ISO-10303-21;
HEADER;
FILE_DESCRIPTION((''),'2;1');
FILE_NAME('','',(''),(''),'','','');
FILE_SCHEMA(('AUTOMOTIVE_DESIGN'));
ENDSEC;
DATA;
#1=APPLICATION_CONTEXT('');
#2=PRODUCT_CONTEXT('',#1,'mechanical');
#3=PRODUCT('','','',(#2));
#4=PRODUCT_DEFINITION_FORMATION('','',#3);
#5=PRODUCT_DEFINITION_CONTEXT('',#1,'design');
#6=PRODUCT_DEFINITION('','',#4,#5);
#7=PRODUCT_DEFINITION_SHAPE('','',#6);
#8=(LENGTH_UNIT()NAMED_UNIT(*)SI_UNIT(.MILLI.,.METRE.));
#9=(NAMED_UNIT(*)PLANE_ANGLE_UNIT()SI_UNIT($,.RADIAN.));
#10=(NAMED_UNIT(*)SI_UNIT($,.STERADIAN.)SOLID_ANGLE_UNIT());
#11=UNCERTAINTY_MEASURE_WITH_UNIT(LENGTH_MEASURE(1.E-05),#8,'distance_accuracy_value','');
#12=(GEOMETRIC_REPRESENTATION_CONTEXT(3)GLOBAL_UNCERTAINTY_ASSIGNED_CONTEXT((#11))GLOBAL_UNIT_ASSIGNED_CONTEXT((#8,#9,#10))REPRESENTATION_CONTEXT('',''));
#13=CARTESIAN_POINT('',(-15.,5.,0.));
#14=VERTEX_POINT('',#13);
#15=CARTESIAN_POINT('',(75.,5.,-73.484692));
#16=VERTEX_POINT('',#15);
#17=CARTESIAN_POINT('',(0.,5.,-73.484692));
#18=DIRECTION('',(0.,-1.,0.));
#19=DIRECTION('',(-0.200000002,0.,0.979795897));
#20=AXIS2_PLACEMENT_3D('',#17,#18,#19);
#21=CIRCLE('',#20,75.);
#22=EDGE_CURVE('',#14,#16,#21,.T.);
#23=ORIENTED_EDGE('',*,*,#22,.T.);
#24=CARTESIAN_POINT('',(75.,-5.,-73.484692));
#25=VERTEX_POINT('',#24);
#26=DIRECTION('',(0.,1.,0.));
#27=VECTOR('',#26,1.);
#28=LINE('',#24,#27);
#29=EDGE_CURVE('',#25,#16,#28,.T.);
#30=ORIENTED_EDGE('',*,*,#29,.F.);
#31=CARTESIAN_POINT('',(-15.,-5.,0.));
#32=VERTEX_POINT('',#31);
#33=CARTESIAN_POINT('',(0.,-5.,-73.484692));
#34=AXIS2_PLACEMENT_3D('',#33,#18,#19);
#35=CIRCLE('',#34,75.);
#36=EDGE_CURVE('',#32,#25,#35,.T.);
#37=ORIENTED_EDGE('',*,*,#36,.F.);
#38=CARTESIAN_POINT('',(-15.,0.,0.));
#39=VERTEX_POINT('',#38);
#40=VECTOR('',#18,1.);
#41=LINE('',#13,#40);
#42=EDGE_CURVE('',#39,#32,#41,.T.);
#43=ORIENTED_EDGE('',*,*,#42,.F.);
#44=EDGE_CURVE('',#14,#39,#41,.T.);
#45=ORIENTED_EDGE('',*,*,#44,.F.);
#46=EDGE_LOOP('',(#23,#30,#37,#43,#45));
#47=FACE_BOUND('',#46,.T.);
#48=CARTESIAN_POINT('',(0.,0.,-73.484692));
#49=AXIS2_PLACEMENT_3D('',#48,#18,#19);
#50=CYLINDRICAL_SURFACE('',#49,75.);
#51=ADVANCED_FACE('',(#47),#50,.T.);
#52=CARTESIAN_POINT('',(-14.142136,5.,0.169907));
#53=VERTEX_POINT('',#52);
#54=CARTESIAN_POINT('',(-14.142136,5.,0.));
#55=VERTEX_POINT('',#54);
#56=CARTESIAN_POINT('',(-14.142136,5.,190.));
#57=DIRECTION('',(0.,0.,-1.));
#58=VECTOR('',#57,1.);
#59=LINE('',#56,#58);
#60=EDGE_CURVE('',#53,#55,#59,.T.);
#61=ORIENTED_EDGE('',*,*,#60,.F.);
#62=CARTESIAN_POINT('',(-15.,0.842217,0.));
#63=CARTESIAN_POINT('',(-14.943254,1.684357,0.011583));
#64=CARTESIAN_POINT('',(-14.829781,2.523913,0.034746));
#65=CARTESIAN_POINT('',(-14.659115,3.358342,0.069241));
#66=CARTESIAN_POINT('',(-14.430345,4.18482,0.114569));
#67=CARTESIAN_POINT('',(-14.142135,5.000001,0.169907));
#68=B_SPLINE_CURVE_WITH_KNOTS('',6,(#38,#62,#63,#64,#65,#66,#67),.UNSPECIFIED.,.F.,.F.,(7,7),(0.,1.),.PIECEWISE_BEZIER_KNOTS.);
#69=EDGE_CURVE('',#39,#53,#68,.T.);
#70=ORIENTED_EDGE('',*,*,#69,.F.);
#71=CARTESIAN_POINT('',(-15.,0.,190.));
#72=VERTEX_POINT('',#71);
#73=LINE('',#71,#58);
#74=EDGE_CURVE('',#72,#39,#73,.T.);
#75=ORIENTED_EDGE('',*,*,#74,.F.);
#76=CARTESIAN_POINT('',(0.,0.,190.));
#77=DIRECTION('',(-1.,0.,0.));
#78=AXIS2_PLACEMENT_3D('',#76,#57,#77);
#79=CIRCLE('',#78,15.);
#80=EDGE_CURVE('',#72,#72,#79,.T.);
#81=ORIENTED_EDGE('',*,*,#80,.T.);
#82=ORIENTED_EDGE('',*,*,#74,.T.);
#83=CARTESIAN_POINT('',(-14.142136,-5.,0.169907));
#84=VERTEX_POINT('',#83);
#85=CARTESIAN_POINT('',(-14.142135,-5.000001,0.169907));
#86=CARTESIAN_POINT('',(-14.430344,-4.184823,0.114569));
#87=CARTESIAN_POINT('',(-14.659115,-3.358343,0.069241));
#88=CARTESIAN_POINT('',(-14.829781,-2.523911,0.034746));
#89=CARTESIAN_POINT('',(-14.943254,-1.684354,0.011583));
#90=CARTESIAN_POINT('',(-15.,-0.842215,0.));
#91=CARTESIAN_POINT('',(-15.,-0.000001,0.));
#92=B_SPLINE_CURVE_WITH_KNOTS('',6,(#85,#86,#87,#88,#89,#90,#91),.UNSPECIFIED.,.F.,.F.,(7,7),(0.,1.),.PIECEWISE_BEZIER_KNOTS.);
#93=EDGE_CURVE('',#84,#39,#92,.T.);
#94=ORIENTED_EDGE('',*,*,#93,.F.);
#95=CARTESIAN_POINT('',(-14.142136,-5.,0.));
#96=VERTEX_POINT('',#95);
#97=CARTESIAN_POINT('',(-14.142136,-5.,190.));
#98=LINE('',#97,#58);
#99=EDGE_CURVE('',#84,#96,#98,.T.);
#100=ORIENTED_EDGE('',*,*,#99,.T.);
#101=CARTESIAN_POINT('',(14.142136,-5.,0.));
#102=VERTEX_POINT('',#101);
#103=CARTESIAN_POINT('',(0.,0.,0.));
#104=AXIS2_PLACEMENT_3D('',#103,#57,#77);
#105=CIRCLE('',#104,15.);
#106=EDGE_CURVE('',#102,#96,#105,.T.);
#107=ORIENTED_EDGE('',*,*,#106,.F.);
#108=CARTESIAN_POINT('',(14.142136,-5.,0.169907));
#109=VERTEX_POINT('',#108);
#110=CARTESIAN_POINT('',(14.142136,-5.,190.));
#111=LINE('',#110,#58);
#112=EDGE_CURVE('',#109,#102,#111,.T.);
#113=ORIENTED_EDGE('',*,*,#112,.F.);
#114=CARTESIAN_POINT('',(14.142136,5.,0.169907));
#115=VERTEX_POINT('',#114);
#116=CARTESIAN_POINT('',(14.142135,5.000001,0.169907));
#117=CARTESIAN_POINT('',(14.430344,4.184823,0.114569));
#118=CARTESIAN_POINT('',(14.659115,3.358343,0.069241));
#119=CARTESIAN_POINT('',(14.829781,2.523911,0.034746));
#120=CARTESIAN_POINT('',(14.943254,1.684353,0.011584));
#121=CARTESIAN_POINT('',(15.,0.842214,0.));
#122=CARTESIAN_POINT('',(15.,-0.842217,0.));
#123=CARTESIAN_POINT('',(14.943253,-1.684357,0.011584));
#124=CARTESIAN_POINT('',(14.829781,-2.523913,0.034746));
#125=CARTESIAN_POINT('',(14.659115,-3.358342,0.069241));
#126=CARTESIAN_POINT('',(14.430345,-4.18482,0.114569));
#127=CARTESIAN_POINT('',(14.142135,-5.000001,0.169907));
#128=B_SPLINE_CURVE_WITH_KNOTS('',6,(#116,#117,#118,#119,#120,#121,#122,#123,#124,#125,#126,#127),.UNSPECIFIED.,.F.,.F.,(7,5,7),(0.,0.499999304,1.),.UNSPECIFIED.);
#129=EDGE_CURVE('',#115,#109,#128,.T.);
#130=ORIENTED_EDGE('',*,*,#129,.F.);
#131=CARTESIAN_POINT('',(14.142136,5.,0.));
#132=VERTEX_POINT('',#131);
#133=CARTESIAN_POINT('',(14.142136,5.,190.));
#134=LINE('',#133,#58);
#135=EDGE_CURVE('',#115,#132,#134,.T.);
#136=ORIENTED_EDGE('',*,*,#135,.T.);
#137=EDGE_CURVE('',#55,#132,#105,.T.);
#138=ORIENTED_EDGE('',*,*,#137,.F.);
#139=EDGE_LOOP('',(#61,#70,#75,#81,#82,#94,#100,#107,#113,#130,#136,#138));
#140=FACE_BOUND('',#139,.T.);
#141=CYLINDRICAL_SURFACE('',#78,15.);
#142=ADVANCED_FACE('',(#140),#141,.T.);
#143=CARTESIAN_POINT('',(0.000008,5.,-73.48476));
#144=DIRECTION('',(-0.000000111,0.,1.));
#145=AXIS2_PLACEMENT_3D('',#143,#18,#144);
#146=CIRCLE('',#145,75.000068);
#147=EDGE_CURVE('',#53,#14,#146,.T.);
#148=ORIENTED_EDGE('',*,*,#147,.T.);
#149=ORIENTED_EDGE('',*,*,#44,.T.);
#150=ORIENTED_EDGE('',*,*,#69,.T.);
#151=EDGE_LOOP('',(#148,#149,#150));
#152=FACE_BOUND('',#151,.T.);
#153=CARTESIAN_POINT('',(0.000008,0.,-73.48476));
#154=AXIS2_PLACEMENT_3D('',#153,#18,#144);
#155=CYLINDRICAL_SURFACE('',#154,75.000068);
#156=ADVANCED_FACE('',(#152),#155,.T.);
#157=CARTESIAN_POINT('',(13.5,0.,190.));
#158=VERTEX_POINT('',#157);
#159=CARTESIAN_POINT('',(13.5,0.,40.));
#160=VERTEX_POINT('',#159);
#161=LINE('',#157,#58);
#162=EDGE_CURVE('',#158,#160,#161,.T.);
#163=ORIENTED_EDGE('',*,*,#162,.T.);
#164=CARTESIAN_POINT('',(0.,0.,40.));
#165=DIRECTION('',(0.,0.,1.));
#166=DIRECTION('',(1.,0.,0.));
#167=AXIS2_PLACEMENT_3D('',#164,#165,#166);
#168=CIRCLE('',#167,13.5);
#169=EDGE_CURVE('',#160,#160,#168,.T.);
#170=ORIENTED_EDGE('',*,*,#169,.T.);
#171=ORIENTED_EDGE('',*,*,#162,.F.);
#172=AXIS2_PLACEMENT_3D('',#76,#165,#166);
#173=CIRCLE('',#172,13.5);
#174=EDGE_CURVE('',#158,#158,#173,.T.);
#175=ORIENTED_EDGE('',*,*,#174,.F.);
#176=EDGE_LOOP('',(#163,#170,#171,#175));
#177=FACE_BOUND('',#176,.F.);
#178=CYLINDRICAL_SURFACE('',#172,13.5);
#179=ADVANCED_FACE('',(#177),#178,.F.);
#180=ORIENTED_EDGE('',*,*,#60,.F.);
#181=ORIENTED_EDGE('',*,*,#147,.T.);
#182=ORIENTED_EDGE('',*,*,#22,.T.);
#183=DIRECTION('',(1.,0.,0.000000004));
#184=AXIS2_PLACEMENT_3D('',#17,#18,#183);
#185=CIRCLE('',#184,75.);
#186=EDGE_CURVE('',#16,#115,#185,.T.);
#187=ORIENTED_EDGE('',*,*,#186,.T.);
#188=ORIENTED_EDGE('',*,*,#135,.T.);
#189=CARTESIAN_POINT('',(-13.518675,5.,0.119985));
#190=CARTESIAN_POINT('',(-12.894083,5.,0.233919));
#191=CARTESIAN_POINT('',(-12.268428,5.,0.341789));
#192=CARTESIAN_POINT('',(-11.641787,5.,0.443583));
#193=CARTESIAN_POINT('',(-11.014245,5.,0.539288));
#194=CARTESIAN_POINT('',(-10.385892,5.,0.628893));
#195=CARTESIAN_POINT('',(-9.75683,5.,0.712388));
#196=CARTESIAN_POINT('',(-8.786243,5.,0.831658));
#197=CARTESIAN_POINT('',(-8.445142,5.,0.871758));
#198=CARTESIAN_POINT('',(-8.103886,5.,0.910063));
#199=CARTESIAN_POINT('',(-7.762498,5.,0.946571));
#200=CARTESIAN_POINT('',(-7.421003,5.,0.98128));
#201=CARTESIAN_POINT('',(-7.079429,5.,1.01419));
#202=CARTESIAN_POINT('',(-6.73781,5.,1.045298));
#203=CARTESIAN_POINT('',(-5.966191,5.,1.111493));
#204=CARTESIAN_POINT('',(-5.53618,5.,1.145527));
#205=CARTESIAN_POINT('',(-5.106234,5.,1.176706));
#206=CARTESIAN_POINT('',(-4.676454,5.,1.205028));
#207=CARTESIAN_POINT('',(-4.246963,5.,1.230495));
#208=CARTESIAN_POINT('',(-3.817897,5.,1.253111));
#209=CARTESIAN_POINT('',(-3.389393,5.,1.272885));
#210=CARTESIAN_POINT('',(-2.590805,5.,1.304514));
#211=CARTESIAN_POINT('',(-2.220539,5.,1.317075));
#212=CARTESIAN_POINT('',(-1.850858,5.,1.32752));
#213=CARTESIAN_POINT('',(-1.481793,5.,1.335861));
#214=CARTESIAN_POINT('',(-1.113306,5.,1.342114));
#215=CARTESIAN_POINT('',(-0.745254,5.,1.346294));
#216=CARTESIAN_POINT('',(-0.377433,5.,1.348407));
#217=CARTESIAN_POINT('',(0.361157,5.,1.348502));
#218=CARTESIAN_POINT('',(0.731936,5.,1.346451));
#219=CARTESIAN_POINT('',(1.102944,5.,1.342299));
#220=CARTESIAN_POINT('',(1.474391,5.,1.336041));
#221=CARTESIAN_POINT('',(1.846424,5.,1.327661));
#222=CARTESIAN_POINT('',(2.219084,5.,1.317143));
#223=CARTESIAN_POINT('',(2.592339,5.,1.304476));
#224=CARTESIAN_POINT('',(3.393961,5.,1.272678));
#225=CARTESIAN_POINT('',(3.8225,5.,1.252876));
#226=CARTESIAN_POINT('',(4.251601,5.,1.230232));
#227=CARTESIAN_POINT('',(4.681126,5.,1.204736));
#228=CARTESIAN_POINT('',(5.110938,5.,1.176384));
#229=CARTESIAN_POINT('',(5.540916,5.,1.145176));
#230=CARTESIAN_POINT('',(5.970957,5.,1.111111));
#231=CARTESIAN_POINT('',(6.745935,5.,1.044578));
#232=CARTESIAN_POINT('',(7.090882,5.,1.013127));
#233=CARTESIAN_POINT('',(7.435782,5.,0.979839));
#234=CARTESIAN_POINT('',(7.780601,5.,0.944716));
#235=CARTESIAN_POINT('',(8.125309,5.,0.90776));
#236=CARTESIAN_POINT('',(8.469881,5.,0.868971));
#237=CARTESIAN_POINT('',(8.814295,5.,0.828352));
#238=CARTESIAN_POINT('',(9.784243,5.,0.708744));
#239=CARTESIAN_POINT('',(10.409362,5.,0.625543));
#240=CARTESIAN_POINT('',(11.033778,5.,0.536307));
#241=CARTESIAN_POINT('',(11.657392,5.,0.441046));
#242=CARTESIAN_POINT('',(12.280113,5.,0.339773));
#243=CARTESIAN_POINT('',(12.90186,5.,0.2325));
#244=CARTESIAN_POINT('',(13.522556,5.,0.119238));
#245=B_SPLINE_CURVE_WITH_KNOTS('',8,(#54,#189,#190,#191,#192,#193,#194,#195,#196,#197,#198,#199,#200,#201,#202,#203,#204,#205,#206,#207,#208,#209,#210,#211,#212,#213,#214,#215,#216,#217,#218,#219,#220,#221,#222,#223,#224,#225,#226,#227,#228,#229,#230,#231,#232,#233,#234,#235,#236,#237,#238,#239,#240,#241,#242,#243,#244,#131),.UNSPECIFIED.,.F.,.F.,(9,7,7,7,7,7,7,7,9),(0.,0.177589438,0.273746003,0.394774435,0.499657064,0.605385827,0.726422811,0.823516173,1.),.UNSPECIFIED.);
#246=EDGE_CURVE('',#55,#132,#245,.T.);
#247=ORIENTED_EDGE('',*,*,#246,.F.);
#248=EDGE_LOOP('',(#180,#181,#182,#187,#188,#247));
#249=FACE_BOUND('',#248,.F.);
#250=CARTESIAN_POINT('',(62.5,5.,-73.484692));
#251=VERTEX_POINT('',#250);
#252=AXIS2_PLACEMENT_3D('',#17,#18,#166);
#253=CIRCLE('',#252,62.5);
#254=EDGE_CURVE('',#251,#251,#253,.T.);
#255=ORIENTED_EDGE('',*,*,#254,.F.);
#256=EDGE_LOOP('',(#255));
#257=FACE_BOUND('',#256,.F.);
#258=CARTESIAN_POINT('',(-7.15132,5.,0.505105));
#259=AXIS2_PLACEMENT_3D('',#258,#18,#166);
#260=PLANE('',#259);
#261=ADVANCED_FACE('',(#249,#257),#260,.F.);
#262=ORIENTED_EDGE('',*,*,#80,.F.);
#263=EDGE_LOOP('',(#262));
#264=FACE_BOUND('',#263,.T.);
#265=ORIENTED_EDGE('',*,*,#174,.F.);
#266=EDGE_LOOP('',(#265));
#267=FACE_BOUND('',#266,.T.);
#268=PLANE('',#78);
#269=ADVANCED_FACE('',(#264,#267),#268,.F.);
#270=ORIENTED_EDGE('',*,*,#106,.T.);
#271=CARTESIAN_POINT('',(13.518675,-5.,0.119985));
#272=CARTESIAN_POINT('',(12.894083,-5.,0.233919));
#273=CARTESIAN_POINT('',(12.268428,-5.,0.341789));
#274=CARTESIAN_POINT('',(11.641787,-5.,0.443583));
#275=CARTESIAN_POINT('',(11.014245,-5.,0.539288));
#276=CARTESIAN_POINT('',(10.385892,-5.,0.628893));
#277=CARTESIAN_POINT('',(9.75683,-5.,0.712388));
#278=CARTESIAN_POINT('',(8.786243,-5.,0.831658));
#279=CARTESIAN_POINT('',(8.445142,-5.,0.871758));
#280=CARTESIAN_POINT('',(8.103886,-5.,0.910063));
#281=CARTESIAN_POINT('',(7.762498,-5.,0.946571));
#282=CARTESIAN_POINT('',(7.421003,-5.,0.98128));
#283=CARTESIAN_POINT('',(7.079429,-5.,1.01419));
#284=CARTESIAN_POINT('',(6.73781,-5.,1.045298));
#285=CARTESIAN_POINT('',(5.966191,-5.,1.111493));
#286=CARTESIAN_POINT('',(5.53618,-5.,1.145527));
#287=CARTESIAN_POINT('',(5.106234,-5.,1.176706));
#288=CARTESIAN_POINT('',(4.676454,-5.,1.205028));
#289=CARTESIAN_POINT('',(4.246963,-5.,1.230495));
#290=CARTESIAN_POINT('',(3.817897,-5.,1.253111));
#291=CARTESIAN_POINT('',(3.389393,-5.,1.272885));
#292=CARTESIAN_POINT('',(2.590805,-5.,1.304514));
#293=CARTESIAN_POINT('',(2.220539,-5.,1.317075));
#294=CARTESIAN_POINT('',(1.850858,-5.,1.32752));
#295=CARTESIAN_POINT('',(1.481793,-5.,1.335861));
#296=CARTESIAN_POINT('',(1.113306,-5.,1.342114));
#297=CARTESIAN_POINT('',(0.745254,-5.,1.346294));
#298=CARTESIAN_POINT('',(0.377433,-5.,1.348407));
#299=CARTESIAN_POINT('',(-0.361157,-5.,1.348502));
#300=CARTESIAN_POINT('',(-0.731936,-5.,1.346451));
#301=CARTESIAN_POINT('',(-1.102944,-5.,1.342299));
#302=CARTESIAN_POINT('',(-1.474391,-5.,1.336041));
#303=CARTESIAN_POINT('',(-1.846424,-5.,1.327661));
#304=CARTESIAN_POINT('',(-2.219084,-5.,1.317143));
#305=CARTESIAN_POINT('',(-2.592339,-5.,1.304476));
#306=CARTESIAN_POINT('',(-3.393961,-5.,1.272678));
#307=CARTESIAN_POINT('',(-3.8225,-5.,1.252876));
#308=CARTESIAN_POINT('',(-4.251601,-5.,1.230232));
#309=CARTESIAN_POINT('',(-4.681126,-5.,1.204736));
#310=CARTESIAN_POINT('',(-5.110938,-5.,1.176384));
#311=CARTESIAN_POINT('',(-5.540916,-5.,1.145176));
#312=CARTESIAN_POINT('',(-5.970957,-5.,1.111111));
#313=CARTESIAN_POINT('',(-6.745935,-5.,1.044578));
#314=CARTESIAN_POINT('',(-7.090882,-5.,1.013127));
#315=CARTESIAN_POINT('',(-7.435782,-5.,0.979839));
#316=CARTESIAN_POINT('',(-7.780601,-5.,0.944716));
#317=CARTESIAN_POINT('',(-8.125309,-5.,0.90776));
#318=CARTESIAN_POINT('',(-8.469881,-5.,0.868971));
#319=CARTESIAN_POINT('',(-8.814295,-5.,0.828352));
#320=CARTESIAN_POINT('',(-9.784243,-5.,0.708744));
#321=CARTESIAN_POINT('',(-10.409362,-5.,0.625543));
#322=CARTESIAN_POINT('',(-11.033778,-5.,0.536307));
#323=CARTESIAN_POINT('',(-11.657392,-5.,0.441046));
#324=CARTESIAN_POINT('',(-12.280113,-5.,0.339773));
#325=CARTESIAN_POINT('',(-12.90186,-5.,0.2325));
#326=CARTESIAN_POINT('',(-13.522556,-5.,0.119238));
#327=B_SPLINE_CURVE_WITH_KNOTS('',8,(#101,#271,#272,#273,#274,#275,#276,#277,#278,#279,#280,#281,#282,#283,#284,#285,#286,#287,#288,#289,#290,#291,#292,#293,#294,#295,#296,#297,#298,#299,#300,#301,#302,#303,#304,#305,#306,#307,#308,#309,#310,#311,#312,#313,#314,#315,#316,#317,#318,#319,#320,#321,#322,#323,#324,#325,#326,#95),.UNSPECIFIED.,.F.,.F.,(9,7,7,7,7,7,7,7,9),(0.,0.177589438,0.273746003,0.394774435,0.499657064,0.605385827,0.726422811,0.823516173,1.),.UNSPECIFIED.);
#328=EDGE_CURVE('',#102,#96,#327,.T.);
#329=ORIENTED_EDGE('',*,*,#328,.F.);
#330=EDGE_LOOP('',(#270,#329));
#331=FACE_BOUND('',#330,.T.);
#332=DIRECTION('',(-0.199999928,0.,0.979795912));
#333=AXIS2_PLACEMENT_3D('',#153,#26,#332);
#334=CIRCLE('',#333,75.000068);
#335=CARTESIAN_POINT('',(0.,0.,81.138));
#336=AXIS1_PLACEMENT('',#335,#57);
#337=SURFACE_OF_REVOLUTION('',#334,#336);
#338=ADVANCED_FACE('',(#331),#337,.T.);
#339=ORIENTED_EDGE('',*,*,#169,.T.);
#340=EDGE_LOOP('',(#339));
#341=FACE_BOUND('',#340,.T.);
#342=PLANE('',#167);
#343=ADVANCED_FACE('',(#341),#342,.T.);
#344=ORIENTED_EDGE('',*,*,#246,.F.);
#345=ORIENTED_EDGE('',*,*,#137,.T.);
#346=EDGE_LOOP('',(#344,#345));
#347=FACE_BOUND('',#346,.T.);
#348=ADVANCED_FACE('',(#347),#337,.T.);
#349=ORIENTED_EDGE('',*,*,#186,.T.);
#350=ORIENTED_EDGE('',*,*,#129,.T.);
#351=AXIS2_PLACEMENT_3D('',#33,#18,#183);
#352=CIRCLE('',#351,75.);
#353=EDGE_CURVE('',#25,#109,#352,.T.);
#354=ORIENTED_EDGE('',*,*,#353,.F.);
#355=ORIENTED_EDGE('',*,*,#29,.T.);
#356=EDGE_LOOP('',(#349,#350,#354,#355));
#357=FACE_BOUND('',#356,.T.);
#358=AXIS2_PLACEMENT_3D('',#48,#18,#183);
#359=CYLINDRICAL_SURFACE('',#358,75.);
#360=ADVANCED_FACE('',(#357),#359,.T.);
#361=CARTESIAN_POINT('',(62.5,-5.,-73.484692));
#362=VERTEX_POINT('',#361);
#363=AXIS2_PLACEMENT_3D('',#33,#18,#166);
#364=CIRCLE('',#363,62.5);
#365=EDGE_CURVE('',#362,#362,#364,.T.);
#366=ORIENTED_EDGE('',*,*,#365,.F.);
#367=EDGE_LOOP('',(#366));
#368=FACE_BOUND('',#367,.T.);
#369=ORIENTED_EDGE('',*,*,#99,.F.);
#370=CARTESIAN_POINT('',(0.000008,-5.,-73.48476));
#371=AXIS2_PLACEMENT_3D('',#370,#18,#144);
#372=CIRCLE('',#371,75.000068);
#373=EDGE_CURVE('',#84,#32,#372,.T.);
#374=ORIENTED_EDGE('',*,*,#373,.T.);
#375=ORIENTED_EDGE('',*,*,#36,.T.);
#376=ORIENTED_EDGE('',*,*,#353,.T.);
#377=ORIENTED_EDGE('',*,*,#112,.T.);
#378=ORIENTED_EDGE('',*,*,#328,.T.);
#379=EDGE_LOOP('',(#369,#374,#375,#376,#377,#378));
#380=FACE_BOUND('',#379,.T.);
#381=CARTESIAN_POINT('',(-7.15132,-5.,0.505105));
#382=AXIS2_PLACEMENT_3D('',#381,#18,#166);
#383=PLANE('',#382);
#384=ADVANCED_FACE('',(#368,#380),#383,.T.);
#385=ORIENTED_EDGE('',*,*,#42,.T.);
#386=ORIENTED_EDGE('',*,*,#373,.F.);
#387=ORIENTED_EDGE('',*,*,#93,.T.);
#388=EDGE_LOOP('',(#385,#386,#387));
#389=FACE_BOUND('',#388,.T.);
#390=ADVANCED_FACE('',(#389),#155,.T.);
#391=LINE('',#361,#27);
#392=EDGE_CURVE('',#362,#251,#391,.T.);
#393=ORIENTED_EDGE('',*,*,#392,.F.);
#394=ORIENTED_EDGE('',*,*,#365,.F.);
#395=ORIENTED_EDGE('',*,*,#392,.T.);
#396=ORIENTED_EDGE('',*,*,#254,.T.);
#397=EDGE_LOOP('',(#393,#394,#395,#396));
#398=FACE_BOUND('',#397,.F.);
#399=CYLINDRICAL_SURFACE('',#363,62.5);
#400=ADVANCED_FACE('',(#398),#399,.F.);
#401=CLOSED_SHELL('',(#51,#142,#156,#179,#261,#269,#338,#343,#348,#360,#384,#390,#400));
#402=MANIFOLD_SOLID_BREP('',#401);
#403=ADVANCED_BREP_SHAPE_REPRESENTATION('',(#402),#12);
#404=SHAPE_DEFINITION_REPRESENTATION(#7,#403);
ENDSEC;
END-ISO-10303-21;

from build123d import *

# Parameters (mm, degrees)
F2_DEPTH = 5
F3_R     = 62.5
F4_DEPTH = 25
F5_R     = 13.5
F6_DEPTH = 150


with BuildPart() as f1:
    # F0 (on Front) → F1 (revolve)
    with BuildSketch(Plane.XZ):
        with BuildLine():
            ThreePointArc((-15, 0), (-7.538172, 1.135519), (0, 1.515308))
            Line((0, 1.515308), (0, 190))
            Line((0, 190), (-15, 190))
            Line((-15, 190), (-15, 0))
        make_face()
    revolve(axis=Axis((0, 0, 81.138), (0, 0, -1)))

    # F0 (on Front) → F2 (join, symmetric)
    with BuildSketch(Plane.XZ):
        with BuildLine():
            Line((-15, 0), (0, 0))
            Line((0, 0), (0, 1.515308))
            ThreePointArc((0, 1.515308), (-7.538172, 1.135519), (-15, 0))
        make_face()
        with BuildLine():
            Line((0, 1.515308), (0, 0))
            Line((0, 0), (-15, 0))
            ThreePointArc((-15, 0), (-47.434165, -131.579442), (75, -73.484692))
            ThreePointArc((75, -73.484692), (53.033009, -20.451684), (0, 1.515308))
        make_face()
    extrude(amount=F2_DEPTH, both=True)

    # F3 (on face) → F4 (cut)
    with BuildSketch(Plane.XZ.offset(5)):
        with Locations((0, -73.484692)):
            Circle(F3_R)
    extrude(amount=-F4_DEPTH, mode=Mode.SUBTRACT)

    # F5 (on face) → F6 (cut)
    with BuildSketch(Plane.XY.offset(190)):
        Circle(F5_R)
    extrude(amount=-F6_DEPTH, mode=Mode.SUBTRACT)


solid = f1.part
